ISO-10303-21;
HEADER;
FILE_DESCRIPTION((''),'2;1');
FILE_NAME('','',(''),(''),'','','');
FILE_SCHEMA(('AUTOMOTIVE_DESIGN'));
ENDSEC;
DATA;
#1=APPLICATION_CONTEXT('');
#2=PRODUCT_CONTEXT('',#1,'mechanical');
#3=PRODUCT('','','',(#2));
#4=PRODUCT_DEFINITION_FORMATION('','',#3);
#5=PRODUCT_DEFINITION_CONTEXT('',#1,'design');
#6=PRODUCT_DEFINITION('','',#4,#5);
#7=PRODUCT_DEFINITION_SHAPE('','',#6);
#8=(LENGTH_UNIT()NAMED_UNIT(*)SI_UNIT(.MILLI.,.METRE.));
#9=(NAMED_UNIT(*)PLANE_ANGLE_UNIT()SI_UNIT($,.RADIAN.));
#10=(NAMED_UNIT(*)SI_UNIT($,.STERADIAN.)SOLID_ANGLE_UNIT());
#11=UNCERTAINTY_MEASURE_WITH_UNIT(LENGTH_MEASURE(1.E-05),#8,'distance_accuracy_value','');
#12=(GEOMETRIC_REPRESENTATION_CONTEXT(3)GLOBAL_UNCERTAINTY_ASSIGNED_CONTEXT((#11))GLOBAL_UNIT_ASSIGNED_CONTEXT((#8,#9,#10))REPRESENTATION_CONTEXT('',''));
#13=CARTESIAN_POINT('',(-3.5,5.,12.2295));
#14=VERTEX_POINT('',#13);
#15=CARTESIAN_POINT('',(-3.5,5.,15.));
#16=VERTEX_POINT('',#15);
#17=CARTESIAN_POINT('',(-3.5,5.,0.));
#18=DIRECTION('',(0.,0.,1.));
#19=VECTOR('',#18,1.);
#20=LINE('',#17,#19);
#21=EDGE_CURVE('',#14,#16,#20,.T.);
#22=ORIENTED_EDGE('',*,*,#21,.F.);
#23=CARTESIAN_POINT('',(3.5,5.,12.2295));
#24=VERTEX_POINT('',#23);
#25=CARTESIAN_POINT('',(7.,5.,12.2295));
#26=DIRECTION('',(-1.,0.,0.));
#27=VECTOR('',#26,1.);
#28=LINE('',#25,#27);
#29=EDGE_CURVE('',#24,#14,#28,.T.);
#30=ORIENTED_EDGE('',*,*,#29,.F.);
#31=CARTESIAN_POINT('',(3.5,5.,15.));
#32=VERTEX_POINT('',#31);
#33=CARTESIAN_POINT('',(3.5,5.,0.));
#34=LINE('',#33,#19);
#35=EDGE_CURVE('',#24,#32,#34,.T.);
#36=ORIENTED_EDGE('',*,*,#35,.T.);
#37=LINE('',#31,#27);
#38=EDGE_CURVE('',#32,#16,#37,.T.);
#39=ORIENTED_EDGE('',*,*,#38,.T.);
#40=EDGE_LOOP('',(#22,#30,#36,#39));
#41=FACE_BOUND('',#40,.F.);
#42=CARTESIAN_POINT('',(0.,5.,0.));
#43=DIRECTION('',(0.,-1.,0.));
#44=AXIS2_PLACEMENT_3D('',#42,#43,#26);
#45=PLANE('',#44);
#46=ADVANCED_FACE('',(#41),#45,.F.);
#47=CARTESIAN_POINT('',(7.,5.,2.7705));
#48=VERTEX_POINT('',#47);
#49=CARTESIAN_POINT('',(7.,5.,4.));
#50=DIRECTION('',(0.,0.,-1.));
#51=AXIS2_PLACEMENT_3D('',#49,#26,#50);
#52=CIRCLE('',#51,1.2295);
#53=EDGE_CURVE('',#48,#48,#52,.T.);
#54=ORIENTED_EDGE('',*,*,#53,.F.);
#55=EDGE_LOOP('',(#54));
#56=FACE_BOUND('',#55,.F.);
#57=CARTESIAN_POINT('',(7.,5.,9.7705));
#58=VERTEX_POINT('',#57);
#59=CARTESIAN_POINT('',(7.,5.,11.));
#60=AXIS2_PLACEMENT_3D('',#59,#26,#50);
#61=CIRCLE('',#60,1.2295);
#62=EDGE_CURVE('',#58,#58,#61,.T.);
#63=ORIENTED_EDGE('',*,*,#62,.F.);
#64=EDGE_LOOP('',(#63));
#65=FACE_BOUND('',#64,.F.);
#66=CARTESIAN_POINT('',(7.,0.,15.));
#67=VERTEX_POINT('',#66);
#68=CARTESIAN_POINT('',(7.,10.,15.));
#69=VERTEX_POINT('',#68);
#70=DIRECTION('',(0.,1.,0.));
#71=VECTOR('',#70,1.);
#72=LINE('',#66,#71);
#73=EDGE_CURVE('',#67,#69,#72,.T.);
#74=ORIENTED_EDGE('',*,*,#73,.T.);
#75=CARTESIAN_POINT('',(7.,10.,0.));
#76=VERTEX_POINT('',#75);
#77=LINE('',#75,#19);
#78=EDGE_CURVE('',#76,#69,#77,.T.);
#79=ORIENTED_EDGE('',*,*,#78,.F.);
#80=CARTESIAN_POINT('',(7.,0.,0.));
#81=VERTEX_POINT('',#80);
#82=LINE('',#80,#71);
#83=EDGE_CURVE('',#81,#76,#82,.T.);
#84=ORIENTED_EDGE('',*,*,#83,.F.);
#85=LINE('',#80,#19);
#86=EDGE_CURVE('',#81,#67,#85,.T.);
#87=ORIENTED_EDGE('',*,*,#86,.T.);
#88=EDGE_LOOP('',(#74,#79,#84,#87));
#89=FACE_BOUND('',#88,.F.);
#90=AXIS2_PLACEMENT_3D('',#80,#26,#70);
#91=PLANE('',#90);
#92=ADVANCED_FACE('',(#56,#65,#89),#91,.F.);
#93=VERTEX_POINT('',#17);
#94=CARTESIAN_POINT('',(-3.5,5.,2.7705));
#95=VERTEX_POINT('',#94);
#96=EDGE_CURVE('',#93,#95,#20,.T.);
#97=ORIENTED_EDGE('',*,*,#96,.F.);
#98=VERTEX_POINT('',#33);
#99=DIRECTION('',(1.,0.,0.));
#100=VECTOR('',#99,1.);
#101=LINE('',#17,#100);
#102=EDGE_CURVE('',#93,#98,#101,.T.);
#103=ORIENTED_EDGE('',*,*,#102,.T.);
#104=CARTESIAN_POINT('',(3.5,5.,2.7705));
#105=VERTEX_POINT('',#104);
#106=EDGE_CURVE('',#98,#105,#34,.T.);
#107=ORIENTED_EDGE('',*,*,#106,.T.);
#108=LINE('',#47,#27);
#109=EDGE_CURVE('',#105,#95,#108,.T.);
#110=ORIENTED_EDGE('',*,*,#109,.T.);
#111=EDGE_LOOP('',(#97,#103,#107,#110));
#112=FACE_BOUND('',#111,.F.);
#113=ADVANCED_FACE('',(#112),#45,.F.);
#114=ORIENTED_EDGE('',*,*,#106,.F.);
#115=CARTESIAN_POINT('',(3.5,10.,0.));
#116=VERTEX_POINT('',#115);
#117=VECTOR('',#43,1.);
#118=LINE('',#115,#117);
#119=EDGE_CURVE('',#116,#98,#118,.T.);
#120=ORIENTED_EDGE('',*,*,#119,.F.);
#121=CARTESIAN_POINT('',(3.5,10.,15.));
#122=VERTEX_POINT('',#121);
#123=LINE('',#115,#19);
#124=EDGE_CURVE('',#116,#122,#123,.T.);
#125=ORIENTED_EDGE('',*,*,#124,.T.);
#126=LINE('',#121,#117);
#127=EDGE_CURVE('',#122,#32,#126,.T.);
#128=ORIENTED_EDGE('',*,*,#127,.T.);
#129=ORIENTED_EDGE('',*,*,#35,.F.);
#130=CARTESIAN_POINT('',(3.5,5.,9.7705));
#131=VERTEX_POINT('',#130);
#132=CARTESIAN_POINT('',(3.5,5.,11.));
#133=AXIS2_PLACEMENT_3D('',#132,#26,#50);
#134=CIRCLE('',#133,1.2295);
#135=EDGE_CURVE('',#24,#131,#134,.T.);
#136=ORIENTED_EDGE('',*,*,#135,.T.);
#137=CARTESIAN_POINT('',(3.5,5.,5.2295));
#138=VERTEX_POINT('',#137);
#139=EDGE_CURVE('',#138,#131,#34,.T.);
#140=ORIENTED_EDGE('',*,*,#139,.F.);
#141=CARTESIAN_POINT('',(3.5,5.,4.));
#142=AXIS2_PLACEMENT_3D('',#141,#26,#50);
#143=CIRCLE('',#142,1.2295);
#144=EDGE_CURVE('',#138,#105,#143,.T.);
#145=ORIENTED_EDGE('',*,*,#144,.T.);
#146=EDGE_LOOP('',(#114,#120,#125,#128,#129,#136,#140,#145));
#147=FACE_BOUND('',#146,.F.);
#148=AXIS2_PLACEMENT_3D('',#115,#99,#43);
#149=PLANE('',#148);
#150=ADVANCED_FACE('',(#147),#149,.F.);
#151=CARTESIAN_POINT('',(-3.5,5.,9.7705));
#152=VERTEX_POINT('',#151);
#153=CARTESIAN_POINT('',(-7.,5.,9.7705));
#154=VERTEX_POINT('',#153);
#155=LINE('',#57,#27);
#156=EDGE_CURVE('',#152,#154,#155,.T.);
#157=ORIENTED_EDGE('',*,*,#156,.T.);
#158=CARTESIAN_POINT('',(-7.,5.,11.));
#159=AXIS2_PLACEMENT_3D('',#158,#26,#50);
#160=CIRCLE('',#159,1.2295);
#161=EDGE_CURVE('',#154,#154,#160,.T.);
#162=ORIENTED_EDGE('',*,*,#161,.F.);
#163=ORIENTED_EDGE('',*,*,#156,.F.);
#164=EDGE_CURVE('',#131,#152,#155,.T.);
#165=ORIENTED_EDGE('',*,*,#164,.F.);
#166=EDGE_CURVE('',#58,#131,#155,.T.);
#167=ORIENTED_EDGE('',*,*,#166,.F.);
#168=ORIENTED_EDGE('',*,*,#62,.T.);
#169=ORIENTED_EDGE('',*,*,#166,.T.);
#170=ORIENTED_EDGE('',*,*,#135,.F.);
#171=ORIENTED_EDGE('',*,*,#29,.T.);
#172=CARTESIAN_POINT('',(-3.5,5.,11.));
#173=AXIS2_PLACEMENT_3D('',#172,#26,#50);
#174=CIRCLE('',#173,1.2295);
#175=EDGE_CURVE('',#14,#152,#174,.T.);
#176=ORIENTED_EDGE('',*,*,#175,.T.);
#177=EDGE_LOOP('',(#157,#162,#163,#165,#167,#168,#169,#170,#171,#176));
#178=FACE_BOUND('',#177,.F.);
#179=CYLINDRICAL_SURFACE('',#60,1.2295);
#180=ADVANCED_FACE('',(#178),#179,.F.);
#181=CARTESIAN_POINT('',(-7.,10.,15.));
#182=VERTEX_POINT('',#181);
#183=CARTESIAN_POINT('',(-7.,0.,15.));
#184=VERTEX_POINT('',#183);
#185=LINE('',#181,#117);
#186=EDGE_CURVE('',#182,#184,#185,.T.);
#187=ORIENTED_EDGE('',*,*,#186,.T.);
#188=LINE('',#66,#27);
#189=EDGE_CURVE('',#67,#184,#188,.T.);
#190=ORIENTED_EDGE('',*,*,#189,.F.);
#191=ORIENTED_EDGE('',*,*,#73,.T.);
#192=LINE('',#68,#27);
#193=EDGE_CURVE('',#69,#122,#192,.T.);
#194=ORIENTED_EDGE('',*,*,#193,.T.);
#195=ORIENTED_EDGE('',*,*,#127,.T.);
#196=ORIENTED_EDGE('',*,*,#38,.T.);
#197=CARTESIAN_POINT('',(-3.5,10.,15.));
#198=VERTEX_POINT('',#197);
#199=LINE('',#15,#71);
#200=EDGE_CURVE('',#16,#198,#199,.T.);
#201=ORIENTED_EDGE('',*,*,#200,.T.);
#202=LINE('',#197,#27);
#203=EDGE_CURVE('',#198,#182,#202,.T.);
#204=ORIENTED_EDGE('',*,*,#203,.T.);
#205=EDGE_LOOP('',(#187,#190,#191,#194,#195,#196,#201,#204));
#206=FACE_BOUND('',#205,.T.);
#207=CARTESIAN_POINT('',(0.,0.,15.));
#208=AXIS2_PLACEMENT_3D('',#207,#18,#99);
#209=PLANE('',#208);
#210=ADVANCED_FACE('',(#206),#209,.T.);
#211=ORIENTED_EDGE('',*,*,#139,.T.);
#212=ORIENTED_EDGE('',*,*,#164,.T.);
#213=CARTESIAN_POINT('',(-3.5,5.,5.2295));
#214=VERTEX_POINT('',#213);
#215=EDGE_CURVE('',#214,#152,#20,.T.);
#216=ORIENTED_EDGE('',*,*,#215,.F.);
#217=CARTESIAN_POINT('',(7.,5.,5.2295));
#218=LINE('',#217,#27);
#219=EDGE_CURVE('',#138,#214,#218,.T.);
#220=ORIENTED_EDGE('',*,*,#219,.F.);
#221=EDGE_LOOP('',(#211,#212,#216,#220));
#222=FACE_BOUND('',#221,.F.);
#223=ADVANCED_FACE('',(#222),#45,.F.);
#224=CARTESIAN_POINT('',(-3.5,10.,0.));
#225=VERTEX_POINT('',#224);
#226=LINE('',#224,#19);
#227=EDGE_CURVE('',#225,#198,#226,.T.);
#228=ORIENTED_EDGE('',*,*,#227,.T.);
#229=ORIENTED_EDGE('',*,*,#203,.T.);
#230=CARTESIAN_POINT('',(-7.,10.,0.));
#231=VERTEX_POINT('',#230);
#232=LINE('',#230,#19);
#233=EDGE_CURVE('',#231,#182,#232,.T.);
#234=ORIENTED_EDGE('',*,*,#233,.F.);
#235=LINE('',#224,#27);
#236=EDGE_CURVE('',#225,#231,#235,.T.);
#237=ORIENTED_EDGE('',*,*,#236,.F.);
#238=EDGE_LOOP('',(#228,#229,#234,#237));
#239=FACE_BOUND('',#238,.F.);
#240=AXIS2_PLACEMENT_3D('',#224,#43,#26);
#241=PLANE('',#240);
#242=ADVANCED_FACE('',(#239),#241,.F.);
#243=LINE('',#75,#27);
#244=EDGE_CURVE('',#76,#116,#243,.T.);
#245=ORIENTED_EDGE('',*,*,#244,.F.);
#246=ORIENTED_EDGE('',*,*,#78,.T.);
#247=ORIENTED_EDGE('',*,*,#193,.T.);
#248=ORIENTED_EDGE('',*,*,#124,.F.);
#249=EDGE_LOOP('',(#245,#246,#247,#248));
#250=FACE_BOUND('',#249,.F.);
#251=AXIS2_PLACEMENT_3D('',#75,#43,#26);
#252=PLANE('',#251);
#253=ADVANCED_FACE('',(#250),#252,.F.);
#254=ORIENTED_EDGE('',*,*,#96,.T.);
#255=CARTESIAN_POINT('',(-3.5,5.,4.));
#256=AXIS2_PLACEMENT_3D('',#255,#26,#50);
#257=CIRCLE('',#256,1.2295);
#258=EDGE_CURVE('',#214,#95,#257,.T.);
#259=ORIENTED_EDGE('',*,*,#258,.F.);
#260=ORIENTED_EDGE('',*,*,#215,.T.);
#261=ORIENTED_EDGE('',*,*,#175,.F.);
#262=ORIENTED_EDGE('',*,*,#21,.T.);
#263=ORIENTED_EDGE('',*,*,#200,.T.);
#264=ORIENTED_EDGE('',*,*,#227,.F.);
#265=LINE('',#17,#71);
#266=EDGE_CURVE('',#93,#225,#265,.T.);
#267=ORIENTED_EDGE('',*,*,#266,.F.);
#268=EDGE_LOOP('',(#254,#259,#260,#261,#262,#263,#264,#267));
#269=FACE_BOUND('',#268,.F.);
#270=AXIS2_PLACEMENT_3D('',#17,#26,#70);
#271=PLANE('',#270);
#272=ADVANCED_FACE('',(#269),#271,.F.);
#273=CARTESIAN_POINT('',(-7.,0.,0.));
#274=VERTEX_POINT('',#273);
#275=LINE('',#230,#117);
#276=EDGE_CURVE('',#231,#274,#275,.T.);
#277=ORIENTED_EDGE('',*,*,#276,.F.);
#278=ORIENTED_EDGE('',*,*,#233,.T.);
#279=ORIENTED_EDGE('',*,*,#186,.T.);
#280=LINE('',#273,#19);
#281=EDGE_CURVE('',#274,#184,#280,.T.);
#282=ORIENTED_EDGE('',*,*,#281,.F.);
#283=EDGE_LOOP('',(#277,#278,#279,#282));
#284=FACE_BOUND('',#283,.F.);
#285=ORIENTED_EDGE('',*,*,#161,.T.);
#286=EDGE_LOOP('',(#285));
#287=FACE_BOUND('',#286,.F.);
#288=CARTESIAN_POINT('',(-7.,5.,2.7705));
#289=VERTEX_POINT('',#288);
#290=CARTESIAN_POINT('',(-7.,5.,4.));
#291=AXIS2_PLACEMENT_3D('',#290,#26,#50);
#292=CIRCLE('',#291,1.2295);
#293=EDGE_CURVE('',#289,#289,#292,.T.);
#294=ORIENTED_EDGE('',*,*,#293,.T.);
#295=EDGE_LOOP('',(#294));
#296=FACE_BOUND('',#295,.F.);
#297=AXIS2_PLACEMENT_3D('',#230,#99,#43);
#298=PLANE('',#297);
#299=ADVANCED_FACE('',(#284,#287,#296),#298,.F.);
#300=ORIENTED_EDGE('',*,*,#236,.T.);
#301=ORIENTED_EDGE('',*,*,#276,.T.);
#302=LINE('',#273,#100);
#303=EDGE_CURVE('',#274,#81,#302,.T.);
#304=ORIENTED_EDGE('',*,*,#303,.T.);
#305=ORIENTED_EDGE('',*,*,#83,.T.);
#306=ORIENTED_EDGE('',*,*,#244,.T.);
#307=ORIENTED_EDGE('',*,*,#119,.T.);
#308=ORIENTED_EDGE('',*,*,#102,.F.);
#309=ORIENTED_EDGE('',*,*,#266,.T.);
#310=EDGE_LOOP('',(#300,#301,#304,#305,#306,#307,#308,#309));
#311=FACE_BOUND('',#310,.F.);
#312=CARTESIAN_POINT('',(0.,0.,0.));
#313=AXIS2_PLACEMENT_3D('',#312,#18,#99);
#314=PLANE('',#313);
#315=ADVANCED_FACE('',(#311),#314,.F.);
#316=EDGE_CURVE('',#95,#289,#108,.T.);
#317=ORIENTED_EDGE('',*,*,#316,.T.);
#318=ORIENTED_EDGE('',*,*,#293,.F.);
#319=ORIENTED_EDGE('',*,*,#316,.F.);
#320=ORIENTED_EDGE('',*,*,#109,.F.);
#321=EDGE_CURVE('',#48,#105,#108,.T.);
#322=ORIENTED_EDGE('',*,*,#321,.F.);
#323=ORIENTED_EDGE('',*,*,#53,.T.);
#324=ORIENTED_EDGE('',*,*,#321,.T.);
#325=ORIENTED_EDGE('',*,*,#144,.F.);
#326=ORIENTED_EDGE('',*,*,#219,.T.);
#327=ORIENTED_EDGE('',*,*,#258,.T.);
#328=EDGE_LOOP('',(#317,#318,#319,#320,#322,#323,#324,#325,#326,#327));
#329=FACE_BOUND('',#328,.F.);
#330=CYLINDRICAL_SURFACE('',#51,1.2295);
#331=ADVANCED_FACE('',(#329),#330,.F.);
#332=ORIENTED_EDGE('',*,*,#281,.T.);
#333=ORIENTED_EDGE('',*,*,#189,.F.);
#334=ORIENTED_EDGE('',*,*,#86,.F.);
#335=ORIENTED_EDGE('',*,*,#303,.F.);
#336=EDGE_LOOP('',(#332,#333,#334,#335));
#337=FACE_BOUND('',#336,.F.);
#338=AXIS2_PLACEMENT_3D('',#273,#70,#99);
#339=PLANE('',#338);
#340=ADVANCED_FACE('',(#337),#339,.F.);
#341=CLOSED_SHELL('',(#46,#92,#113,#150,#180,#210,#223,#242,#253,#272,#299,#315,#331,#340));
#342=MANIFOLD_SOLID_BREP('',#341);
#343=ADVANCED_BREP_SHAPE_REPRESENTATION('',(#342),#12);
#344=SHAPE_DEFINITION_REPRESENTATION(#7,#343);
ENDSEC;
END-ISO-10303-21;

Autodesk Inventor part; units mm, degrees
ref_plane "YZ Plane" through (0, 0, 0) normal (1, 0, 0) x (0, 1, 0)
ref_plane "XZ Plane" through (0, 0, 0) normal (0, 1, 0) x (-1, 0, 0)
ref_plane "XY Plane" through (0, 0, 0) normal (0, 0, 1) x (1, 0, 0)
sketch "Skizze1" plane through (0, 0, 0) normal (0, 0, 1) x (1, 0, 0)
  line L0 (-9.8, 0) -> (9.8, 0) projected
  line L1 (0, -2) -> (0, 12) projected
  line L2 (-7, 0) -> (7, 0)
  line L3 (7, 0) -> (7, 10)
  line L4 (-7, 10) -> (-7, 0)
  line L5 (3.5, 10) -> (3.5, 5)
  line L6 (3.5, 5) -> (-3.5, 5)
  line L7 (-3.5, 5) -> (-3.5, 10)
  line L8 (7, 10) -> (3.5, 10)
  line L9 (-3.5, 10) -> (-7, 10)
  point P0 (0, 0)
  dimension "d0" = 10
  dimension "d1" = 5
  dimension "d3" = 3.5
  dimension "d6" = 7
extrude "Extrusion1" add sketch "Skizze1" along normal blind 15
sketch "Skizze2" plane through (7, 0, 0) normal (1, 0, 0) x (0, 0, -1)
  line L0 (-15, 10) -> (-15, 0) projected
  line L1 (0, 0) -> (-15, 0) projected
  line L2 (0, 0) -> (0, 10) projected
  line L3 (-15, 5) -> (0, 5)
  point P0 (-11, 5)
  point P1 (-4, 5)
  dimension "d9" = 4
  dimension "d10" = 4
  dimension "d11" = 5
hole "Bohrung1" at (7, 5, 11) at (7, 5, 4) direction (-1, 0, 0) diameter 2.459 end through all thread size "M3x0.5" class "6H" standard "ISO Metric profile"
properties part number "13_0204_052"
